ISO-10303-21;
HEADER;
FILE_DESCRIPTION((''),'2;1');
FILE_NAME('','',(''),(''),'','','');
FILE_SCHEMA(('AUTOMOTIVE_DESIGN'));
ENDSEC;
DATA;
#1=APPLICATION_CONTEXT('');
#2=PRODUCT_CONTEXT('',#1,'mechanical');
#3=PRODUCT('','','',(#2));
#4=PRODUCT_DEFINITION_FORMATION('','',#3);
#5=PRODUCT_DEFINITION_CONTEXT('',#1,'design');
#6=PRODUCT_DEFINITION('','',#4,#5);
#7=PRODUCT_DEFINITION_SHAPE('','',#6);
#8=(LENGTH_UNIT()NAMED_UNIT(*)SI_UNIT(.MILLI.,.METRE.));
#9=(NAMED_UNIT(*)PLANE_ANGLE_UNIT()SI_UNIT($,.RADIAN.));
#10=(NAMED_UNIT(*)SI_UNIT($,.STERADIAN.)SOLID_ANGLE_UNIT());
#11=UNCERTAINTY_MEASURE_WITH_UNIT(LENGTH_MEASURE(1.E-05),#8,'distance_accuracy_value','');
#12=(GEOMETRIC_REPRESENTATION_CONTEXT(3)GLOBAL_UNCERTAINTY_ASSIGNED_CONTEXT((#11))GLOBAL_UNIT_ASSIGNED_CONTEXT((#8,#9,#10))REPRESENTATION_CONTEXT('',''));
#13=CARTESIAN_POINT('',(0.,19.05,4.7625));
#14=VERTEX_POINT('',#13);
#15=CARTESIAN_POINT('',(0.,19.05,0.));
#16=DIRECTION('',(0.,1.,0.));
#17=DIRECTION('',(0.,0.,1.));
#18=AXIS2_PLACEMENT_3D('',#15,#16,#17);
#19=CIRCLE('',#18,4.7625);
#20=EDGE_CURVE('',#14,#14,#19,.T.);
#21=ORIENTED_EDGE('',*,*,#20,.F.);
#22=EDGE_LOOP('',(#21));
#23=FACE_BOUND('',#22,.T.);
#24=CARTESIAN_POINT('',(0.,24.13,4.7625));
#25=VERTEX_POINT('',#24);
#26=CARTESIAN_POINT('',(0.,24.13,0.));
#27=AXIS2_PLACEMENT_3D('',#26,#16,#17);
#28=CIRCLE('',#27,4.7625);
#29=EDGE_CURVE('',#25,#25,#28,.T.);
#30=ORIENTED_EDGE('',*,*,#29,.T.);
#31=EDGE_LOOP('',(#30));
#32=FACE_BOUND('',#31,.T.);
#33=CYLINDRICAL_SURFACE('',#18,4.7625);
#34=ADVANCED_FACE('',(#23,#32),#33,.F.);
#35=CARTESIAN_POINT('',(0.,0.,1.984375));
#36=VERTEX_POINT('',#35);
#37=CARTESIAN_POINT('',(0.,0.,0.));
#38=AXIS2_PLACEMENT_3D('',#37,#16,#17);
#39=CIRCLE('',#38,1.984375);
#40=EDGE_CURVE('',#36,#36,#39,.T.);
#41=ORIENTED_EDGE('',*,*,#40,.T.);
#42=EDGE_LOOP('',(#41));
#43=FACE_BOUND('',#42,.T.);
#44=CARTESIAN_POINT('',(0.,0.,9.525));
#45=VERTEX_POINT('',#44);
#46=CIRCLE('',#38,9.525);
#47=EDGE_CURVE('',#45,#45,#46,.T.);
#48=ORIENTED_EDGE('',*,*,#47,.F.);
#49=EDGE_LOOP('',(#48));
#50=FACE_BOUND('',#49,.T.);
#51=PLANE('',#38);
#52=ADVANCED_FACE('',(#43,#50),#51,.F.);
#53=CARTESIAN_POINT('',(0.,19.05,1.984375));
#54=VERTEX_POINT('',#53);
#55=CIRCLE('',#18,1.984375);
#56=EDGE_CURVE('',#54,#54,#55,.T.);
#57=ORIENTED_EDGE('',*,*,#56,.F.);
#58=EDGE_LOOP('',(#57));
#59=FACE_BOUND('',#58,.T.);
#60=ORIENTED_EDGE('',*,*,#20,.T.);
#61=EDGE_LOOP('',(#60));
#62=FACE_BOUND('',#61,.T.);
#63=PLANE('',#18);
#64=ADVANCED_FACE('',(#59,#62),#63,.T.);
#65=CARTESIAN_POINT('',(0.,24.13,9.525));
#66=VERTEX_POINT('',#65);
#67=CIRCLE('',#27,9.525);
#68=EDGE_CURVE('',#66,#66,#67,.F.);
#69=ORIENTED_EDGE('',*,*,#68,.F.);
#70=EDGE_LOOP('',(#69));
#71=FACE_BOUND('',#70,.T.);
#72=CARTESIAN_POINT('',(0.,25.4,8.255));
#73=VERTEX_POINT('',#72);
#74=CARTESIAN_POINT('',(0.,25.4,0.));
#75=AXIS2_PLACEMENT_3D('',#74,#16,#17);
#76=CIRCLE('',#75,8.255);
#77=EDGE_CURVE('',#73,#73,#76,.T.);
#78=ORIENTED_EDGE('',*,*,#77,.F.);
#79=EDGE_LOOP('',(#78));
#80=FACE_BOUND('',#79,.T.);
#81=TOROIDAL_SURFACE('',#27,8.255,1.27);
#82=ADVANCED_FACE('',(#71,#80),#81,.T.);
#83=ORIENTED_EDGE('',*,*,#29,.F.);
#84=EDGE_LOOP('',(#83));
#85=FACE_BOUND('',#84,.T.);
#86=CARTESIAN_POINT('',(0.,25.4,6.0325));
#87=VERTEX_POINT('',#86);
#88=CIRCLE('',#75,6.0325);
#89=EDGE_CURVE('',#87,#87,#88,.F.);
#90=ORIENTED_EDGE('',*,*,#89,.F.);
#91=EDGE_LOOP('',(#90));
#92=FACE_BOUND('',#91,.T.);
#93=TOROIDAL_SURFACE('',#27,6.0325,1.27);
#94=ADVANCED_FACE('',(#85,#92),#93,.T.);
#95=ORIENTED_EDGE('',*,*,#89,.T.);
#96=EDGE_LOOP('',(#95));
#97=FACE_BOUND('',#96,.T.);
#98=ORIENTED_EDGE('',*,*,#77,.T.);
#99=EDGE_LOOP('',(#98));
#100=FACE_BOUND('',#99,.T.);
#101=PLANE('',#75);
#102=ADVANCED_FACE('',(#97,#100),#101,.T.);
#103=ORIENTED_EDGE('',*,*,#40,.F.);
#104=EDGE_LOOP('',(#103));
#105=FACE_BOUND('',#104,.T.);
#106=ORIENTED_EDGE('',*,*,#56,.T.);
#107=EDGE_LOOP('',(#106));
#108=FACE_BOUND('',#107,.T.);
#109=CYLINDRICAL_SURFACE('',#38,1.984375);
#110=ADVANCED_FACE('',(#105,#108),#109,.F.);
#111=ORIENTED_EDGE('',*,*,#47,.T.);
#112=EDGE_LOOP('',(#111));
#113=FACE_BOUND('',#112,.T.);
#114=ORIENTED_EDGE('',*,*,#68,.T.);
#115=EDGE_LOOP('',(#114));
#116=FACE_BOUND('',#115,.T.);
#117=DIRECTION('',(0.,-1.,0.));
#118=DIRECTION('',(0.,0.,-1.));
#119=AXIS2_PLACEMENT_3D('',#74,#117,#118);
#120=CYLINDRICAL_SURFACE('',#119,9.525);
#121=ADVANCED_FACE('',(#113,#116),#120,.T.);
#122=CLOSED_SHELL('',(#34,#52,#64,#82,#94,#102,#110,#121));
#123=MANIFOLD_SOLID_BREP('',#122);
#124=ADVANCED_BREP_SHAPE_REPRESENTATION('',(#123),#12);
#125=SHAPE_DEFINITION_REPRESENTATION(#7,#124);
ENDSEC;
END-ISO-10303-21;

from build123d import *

# Parameters (mm, degrees)
SKETCH1_R           = 9.525
BOSS_EXTRUDE1_DEPTH = 25.4
SKETCH2_R           = 4.7625
CUT_EXTRUDE1_DEPTH  = 6.35
SKETCH3_R           = 1.984375
CUT_EXTRUDE2_DEPTH  = 24.3313898
FILLET1_R           = 1.27


with BuildPart() as part:
    # Sketch1 → Boss-Extrude1 (new body)
    with BuildSketch(Plane(origin=(0, 0, 0), x_dir=(1, 0, 0), z_dir=(0, 1, 0))):
        with Locations(Location((0, 0, 0), (0, 0, 270))):
            Circle(SKETCH1_R)
    extrude(amount=BOSS_EXTRUDE1_DEPTH)

    # Sketch2 → Cut-Extrude1 (cut)
    with BuildSketch(Plane(origin=(0, 25.4, 0), x_dir=(1, 0, 0), z_dir=(0, 1, 0))):
        with Locations(Location((0, 0, 0), (0, 0, 270))):
            Circle(SKETCH2_R)
    extrude(amount=-CUT_EXTRUDE1_DEPTH, mode=Mode.SUBTRACT)

    # Sketch3 → Cut-Extrude2 (cut, through all)
    with BuildSketch(Plane(origin=(0, 19.05, 0), x_dir=(1, 0, 0), z_dir=(0, 1, 0))):
        with Locations(Location((0, 0, 0), (0, 0, 270))):
            Circle(SKETCH3_R)
    extrude(amount=-CUT_EXTRUDE2_DEPTH, mode=Mode.SUBTRACT)

    # Fillet1
    fillet1_edges = [part.edges().sort_by_distance(p)[0] for p in [
        (0, 25.4, -9.525),
        (0, 25.4, -4.7625),
    ]]
    fillet(fillet1_edges, radius=FILLET1_R)


solid = part.part
